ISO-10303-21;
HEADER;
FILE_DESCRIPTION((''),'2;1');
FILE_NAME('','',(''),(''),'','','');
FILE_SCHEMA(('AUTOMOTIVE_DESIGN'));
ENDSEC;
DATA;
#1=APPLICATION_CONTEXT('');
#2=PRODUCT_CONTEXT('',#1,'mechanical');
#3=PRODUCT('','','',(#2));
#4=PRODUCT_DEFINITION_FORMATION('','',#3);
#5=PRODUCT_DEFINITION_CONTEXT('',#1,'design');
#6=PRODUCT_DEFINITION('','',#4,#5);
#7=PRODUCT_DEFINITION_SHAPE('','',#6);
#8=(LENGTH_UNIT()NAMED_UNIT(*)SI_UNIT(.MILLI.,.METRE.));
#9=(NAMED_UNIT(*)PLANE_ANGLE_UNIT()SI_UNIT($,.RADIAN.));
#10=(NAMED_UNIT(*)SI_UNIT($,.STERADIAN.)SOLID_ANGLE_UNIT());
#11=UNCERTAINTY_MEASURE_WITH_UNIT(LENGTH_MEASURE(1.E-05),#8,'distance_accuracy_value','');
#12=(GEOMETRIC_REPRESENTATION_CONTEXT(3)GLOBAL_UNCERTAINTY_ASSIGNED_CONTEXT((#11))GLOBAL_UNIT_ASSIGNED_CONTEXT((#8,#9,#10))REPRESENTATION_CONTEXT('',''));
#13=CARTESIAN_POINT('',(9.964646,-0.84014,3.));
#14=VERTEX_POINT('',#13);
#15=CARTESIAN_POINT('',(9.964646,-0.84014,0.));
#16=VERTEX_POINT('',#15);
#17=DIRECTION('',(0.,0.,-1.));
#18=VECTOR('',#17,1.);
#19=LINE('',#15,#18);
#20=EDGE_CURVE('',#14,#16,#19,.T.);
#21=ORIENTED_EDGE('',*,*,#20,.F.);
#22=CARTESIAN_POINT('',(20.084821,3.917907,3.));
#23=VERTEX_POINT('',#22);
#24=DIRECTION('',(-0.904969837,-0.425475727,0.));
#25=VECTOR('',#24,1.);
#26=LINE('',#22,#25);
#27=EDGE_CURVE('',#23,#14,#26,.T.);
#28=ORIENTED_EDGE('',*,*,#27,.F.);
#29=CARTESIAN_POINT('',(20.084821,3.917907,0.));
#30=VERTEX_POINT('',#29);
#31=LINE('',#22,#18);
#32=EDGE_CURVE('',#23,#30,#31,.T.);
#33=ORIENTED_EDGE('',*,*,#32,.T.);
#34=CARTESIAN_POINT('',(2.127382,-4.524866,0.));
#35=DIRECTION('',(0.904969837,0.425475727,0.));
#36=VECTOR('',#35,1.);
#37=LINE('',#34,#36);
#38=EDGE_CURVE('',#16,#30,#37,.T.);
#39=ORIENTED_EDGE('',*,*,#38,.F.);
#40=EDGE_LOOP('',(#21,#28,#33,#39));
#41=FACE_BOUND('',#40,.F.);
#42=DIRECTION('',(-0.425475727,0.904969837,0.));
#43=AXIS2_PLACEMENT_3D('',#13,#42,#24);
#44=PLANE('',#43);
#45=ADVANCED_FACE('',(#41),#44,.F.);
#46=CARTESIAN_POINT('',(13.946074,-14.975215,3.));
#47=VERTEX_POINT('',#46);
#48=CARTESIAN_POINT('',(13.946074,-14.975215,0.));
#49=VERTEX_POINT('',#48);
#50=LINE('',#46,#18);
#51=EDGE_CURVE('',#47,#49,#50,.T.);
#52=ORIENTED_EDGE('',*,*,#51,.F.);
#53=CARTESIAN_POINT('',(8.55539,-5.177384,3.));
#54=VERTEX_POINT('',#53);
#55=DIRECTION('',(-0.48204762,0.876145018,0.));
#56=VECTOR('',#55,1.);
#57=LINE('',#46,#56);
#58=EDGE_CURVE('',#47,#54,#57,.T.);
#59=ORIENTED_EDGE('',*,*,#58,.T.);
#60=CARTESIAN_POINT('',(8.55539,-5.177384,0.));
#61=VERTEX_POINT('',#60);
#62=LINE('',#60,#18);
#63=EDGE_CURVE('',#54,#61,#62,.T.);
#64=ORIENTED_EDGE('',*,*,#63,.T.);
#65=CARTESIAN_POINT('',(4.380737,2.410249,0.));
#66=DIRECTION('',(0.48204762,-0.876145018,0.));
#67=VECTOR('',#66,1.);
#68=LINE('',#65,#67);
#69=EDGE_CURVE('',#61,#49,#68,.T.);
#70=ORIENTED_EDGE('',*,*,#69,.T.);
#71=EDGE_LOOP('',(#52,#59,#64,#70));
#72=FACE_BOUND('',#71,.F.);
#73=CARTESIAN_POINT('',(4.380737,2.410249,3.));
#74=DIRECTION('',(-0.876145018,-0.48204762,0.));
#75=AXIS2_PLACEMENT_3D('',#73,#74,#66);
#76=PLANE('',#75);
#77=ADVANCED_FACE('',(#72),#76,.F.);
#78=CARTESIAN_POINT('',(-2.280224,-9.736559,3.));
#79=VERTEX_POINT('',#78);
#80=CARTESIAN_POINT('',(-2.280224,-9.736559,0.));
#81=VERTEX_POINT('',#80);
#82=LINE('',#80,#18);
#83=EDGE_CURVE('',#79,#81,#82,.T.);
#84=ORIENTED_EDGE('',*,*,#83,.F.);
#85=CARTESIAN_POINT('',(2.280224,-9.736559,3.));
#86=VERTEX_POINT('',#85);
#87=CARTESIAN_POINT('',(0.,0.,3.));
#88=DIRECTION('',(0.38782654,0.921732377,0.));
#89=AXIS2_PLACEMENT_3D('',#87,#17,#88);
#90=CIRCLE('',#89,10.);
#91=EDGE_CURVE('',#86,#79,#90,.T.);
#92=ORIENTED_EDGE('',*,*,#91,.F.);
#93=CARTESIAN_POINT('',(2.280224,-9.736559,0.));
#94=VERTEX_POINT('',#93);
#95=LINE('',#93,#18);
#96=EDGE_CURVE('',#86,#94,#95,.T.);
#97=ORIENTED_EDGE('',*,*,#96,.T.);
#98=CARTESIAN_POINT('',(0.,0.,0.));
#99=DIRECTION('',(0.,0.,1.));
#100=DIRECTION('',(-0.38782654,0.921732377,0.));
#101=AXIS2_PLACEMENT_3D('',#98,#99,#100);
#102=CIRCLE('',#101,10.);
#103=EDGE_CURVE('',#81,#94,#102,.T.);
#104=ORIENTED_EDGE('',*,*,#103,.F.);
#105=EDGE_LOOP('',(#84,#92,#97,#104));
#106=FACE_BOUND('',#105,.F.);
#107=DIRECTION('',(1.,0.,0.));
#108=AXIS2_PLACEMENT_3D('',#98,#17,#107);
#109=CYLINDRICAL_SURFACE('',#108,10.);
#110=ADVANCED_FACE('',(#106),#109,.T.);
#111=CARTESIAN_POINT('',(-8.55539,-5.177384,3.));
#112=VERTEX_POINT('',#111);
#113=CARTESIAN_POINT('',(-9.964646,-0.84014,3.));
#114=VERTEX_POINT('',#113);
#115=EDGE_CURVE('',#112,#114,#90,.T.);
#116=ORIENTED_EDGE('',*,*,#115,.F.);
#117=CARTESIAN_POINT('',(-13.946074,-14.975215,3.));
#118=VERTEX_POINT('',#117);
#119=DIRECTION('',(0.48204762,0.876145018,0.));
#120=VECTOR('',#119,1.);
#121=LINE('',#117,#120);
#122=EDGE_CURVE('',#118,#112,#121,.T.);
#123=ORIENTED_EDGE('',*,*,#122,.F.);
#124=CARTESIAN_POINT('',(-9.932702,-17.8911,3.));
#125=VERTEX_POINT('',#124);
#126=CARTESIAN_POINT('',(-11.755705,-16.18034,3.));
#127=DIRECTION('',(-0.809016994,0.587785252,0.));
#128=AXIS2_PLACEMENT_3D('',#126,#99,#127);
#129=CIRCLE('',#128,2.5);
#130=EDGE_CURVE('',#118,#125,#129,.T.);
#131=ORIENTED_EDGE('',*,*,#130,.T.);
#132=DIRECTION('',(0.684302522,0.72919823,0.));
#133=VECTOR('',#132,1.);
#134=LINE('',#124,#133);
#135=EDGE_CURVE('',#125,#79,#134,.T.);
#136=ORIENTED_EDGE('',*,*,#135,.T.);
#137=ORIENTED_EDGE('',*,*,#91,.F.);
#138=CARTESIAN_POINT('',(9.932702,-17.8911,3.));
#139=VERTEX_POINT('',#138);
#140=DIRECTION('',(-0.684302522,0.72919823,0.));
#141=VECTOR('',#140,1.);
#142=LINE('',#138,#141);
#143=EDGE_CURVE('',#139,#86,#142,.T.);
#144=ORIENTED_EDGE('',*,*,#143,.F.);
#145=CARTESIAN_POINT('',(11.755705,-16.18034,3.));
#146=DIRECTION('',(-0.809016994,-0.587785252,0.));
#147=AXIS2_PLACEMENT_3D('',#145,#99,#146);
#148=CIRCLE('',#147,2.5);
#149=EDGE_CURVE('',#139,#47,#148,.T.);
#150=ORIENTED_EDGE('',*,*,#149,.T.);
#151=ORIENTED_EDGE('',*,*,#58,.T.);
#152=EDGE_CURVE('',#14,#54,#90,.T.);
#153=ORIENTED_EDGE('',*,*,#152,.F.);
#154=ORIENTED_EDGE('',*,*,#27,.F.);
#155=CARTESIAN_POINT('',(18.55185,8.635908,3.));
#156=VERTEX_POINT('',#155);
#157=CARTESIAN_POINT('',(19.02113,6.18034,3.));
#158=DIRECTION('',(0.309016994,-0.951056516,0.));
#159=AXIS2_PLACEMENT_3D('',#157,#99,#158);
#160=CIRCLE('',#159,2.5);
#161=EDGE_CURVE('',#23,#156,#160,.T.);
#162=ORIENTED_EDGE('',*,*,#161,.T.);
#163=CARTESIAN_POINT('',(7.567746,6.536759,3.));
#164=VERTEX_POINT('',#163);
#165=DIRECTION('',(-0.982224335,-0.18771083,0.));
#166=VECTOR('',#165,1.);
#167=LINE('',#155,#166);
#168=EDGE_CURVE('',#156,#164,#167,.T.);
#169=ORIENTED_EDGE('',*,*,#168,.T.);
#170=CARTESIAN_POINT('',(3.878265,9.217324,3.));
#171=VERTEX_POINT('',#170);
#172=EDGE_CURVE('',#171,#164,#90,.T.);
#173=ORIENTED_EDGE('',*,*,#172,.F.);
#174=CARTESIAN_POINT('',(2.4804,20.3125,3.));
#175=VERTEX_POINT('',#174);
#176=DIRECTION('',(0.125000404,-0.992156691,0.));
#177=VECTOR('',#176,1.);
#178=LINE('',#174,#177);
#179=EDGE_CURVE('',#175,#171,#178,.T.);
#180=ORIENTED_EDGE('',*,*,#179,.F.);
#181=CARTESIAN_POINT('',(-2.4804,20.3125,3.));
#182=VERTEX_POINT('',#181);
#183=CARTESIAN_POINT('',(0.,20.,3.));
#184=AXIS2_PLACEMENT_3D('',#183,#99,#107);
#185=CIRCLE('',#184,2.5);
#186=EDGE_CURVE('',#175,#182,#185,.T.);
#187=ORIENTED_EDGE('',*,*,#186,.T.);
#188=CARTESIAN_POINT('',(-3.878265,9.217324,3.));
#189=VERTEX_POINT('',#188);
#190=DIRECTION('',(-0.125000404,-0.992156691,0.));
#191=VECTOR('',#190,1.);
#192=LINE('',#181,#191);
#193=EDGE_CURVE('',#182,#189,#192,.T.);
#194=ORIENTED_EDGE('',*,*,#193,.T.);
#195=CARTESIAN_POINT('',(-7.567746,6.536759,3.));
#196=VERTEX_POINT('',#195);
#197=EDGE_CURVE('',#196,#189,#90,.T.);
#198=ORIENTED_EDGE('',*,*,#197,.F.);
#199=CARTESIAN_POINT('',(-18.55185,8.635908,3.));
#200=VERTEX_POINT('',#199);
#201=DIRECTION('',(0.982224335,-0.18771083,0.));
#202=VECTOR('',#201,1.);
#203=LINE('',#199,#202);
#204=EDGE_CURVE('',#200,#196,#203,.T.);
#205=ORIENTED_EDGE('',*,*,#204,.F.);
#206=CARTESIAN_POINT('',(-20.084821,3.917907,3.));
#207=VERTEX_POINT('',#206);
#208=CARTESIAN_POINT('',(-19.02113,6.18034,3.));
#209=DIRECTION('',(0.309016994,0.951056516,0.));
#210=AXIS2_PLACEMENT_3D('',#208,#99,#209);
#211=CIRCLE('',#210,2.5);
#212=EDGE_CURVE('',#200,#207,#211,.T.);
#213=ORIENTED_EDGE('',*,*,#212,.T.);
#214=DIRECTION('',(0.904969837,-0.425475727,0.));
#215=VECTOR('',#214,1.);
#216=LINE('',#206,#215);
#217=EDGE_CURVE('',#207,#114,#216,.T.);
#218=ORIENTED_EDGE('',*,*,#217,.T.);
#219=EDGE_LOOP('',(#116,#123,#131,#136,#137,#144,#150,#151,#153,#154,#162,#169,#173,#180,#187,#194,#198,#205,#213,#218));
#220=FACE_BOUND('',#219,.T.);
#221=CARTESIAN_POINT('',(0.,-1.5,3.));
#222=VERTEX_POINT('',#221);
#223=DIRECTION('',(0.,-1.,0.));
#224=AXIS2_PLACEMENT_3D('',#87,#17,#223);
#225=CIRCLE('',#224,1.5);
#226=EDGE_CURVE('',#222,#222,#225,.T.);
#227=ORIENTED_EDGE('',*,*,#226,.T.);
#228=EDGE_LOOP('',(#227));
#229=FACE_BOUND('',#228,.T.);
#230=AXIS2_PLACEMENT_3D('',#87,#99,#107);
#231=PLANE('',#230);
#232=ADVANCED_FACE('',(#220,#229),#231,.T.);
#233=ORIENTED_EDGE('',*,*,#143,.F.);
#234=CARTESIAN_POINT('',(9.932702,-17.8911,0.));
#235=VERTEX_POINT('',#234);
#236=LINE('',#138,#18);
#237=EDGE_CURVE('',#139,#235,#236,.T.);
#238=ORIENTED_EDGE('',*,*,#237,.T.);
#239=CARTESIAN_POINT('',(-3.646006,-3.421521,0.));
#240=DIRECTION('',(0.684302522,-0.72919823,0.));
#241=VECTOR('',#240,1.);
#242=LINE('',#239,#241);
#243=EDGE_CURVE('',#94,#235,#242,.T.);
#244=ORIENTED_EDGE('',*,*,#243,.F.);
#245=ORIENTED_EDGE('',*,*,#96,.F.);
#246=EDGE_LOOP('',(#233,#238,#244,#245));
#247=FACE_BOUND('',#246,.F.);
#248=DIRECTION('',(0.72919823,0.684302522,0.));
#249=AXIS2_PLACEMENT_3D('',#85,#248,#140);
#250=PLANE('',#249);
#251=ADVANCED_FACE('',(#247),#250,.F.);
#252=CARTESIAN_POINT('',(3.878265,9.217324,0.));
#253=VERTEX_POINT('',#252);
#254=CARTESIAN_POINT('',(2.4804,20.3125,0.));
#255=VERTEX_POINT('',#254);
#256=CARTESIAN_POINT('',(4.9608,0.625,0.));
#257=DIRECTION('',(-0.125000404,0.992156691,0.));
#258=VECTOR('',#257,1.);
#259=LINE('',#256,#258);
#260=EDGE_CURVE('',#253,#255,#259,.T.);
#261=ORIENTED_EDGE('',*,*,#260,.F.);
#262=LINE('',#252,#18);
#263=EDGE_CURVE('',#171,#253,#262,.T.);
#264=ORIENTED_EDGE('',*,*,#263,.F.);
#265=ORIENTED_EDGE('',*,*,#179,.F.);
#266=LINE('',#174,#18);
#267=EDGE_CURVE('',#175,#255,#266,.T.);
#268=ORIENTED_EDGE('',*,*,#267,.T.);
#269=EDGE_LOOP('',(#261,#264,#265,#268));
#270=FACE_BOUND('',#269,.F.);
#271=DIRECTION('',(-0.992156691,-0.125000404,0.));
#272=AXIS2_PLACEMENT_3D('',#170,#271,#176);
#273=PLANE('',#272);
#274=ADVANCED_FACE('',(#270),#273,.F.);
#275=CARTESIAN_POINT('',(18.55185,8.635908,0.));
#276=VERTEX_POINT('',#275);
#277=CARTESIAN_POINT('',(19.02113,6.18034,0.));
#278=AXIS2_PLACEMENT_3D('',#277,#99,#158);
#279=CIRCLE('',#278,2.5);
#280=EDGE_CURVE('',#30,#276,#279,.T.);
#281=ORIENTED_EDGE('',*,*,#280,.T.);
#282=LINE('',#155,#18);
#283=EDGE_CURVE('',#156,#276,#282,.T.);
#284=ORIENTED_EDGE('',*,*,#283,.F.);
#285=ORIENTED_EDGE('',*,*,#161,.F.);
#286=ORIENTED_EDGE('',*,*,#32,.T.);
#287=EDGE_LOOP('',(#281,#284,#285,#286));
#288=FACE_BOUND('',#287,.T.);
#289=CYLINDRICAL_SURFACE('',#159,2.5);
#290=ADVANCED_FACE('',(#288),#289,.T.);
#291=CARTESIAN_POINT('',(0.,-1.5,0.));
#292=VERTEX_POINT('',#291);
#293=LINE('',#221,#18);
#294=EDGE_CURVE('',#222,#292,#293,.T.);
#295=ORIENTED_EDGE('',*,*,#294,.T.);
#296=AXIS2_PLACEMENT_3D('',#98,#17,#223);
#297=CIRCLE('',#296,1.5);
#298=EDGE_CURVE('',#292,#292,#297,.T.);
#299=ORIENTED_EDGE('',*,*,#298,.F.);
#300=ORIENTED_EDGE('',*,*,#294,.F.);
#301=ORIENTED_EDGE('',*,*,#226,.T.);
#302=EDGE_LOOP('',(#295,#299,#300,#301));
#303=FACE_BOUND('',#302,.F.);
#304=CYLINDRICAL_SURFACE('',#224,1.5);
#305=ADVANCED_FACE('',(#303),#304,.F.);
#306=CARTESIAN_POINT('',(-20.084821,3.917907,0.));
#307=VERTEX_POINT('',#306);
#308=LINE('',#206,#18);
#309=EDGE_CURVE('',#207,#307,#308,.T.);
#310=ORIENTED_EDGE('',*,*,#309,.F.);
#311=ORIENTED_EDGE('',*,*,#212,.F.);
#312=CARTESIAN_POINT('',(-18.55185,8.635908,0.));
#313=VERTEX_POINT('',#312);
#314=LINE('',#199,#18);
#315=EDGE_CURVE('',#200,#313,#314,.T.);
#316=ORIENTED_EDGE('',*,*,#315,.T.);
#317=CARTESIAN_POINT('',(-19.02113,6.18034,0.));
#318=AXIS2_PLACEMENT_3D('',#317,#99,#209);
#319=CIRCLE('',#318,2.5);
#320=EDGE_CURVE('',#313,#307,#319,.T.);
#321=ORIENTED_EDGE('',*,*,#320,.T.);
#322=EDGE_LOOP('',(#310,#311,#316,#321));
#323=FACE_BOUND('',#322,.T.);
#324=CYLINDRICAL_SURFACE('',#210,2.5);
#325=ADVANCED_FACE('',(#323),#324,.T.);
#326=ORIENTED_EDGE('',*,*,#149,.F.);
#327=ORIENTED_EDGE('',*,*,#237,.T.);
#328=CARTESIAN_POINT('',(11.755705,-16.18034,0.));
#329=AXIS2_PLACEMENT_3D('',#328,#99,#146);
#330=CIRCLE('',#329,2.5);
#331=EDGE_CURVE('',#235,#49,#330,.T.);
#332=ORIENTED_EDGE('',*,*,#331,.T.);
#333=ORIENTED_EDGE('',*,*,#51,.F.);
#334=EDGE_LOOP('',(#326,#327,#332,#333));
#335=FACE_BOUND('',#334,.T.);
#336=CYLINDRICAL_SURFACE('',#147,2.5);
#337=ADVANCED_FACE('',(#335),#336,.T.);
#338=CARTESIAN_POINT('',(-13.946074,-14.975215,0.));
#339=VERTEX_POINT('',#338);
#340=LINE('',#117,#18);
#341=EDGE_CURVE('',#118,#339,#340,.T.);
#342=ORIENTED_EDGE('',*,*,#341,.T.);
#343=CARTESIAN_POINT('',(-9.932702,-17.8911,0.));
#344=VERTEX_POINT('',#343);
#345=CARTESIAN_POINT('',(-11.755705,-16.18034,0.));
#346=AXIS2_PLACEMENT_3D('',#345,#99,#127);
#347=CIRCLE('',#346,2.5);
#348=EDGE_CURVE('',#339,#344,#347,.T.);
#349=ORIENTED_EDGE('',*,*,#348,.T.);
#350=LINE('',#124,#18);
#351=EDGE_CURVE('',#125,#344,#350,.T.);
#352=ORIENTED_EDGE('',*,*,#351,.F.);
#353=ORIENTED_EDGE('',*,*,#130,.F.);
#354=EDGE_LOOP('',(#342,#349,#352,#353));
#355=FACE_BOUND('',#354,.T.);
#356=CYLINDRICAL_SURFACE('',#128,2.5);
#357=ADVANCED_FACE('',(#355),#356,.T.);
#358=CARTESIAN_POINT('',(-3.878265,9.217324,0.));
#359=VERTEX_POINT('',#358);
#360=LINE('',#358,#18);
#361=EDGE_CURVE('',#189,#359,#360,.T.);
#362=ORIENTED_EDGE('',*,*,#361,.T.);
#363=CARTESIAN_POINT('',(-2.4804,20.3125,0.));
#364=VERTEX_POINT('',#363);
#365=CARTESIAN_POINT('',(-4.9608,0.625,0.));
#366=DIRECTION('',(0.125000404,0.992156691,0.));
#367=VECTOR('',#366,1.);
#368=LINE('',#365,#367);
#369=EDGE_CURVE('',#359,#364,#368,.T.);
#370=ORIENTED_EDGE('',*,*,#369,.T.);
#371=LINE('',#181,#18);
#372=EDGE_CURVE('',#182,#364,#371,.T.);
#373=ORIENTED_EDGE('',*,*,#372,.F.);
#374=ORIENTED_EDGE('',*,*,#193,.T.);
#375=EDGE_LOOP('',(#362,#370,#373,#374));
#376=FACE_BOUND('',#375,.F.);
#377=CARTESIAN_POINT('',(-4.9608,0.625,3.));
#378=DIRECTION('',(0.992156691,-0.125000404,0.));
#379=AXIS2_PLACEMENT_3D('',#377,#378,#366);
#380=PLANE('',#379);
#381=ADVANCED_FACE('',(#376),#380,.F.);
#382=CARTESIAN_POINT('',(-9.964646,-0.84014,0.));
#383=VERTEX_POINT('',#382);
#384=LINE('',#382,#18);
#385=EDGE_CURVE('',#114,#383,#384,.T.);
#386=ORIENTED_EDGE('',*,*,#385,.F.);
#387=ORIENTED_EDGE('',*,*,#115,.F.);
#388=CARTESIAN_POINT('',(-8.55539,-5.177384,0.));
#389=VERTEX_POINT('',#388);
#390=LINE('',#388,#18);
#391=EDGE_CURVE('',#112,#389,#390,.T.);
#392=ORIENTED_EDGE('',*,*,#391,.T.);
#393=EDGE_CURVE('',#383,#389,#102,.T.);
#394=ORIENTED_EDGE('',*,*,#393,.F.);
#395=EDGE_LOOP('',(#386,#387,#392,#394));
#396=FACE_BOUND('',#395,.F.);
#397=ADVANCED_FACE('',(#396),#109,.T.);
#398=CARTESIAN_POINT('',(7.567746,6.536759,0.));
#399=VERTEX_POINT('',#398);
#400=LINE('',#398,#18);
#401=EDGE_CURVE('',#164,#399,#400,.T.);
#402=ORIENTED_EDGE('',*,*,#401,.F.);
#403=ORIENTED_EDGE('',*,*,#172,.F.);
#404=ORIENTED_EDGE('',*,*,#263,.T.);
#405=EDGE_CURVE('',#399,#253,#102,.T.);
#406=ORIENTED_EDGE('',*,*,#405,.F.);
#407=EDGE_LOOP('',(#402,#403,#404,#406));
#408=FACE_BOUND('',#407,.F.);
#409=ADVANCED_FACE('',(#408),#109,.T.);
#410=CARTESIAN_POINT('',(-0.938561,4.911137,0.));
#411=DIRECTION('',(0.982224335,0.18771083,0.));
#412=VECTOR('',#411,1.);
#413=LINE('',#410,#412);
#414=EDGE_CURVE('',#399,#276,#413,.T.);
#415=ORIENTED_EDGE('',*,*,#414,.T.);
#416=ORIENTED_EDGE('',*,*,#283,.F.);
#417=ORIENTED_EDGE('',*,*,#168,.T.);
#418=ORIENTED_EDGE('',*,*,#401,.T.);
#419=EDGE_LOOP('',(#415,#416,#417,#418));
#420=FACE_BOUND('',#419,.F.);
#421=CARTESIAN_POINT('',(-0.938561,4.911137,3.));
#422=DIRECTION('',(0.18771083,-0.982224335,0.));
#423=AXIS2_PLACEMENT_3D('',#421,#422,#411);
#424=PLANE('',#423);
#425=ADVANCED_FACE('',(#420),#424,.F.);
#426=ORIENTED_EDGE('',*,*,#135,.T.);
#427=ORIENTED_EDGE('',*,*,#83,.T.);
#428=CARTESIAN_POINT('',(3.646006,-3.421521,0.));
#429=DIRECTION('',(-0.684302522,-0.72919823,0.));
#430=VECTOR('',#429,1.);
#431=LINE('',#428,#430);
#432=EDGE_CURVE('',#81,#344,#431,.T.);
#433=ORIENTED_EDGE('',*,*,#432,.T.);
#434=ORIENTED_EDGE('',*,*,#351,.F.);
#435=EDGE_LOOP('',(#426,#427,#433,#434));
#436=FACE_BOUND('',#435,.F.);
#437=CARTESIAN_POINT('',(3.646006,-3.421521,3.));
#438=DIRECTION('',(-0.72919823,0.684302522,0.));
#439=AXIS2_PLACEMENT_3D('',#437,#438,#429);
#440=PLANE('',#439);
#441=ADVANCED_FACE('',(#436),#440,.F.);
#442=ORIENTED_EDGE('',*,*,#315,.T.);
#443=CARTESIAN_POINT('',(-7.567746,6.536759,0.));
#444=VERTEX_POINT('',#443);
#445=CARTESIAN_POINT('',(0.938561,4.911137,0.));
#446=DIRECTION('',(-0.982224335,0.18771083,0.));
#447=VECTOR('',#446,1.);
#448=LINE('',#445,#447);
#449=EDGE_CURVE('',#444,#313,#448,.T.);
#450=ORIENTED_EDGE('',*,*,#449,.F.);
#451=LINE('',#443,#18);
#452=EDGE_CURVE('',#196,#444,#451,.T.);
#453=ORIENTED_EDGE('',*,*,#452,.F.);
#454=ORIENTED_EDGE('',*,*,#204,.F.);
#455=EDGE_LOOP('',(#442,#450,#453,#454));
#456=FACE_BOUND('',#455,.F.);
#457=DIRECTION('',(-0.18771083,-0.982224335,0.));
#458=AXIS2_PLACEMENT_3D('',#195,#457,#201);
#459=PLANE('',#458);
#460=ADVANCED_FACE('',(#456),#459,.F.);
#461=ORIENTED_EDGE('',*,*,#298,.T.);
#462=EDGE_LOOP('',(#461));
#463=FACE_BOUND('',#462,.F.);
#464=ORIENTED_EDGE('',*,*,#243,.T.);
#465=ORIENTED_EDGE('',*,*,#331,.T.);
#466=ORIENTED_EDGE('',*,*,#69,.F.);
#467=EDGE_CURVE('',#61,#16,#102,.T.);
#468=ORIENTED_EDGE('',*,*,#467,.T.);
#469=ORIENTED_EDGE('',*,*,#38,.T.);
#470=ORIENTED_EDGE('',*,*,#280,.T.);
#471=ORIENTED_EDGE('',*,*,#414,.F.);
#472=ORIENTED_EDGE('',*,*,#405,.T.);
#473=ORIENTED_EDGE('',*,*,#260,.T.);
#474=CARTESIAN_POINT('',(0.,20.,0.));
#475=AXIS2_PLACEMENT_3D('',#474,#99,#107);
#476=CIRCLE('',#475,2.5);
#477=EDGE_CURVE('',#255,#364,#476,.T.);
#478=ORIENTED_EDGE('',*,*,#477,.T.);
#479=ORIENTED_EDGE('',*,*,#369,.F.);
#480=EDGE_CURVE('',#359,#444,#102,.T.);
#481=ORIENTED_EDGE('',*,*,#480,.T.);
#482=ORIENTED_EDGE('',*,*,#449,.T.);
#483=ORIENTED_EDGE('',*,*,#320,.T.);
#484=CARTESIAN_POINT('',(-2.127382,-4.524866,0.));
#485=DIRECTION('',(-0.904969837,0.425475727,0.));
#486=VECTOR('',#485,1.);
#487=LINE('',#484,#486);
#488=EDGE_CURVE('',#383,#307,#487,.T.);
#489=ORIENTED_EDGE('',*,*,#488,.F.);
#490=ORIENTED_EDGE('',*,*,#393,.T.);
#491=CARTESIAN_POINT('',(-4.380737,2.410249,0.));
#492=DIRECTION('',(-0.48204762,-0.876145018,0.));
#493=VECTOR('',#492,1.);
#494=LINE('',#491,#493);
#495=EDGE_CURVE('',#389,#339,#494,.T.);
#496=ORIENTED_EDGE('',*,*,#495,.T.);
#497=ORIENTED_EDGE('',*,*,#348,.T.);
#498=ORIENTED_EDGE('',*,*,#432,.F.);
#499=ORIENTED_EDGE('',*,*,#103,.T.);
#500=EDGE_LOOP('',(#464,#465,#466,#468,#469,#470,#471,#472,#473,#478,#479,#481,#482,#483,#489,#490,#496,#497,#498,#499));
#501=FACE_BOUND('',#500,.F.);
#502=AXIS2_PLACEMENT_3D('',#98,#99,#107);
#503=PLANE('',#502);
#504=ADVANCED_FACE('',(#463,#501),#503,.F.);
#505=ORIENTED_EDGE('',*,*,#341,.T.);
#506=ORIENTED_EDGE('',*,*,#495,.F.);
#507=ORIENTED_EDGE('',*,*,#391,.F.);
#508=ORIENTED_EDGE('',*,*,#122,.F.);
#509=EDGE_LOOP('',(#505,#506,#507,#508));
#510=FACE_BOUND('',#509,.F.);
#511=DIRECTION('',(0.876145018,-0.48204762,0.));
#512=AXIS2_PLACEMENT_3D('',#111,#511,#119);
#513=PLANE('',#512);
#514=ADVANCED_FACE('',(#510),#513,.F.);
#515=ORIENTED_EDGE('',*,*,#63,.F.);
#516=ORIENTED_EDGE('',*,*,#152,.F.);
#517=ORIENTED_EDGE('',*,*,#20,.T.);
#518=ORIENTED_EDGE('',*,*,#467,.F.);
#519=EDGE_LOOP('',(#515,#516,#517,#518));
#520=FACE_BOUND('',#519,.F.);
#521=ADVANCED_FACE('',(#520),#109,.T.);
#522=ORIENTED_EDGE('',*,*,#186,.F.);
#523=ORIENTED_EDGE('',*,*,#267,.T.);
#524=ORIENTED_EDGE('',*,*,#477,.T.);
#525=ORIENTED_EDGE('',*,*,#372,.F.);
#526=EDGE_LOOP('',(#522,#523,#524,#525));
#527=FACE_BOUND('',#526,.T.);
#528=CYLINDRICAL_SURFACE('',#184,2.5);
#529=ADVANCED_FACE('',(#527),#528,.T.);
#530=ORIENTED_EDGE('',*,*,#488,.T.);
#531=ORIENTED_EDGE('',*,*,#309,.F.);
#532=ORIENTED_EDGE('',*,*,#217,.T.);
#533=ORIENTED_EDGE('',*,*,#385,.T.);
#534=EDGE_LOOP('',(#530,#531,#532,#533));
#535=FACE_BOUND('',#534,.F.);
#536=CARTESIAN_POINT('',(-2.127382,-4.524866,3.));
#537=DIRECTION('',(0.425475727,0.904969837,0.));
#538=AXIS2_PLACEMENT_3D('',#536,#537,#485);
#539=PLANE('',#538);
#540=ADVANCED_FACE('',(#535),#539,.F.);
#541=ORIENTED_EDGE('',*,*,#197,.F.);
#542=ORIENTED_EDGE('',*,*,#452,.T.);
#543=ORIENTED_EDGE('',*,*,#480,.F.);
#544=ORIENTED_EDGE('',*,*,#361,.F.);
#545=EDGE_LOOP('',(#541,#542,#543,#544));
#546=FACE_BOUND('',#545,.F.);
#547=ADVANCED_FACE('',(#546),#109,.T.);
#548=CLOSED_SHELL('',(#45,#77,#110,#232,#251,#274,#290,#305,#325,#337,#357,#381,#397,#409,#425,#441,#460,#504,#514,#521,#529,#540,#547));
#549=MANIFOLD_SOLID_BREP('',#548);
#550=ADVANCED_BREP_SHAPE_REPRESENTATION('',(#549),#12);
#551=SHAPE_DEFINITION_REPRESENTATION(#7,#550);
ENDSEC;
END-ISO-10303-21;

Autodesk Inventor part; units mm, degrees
ref_plane "YZ Plane" through (0, 0, 0) normal (1, 0, 0) x (0, 1, 0)
ref_plane "XZ Plane" through (0, 0, 0) normal (0, 1, 0) x (-1, 0, 0)
ref_plane "XY Plane" through (0, 0, 0) normal (0, 0, 1) x (1, 0, 0)
sketch "Sketch1" plane through (0, 0, 0) normal (0, 0, 1) x (1, 0, 0)
  circle A0 centre (0, 0) radius 10
  dimension "d0" = 20
extrude "Extrusion1" add sketch "Sketch1" along normal blind 3
sketch "Sketch2" plane through (0, 0, 3) normal (0, 0, 1) x (1, 0, 0)
  point P0 (0, 0)
  point P1 (0, 0)
hole "Hole1" at (0, 0, 3) direction (0, 0, -1) diameter 3 end through all
sketch "Sketch4" plane through (0, 0, 3) normal (0, 0, 1) x (1, 0, 0)
  circle A0 centre (0, 0) radius 10 projected
  circle A1 centre (0, 20) radius 2.5
  circle A2 centre (0, 0) radius 1.5 projected
  circle A3 centre (0, 0) radius 5
  line L0 (-4.9608, 0.625) -> (-2.4804, 20.3125)
  line L1 (2.4804, 20.3125) -> (4.9608, 0.625)
  dimension "d17" = 20
  dimension "d25" = 5
  dimension "d26" = 20
  dimension "d27" = 10
extrude "Extrusion2" add sketch "Sketch4" against normal up to surface (3 mm away) contours L1 A3 L0 A0 | A0 L0 A1 L1 | A1 picked at (-0.6594, 8.2675)
pattern_circular "Circular Pattern1" count 5 over 360 about axis through (0, 0, -10) along (0, 0, 1) of "Extrusion2"
properties part number "Selection_Gear 1" material "Nylon 6/6"
